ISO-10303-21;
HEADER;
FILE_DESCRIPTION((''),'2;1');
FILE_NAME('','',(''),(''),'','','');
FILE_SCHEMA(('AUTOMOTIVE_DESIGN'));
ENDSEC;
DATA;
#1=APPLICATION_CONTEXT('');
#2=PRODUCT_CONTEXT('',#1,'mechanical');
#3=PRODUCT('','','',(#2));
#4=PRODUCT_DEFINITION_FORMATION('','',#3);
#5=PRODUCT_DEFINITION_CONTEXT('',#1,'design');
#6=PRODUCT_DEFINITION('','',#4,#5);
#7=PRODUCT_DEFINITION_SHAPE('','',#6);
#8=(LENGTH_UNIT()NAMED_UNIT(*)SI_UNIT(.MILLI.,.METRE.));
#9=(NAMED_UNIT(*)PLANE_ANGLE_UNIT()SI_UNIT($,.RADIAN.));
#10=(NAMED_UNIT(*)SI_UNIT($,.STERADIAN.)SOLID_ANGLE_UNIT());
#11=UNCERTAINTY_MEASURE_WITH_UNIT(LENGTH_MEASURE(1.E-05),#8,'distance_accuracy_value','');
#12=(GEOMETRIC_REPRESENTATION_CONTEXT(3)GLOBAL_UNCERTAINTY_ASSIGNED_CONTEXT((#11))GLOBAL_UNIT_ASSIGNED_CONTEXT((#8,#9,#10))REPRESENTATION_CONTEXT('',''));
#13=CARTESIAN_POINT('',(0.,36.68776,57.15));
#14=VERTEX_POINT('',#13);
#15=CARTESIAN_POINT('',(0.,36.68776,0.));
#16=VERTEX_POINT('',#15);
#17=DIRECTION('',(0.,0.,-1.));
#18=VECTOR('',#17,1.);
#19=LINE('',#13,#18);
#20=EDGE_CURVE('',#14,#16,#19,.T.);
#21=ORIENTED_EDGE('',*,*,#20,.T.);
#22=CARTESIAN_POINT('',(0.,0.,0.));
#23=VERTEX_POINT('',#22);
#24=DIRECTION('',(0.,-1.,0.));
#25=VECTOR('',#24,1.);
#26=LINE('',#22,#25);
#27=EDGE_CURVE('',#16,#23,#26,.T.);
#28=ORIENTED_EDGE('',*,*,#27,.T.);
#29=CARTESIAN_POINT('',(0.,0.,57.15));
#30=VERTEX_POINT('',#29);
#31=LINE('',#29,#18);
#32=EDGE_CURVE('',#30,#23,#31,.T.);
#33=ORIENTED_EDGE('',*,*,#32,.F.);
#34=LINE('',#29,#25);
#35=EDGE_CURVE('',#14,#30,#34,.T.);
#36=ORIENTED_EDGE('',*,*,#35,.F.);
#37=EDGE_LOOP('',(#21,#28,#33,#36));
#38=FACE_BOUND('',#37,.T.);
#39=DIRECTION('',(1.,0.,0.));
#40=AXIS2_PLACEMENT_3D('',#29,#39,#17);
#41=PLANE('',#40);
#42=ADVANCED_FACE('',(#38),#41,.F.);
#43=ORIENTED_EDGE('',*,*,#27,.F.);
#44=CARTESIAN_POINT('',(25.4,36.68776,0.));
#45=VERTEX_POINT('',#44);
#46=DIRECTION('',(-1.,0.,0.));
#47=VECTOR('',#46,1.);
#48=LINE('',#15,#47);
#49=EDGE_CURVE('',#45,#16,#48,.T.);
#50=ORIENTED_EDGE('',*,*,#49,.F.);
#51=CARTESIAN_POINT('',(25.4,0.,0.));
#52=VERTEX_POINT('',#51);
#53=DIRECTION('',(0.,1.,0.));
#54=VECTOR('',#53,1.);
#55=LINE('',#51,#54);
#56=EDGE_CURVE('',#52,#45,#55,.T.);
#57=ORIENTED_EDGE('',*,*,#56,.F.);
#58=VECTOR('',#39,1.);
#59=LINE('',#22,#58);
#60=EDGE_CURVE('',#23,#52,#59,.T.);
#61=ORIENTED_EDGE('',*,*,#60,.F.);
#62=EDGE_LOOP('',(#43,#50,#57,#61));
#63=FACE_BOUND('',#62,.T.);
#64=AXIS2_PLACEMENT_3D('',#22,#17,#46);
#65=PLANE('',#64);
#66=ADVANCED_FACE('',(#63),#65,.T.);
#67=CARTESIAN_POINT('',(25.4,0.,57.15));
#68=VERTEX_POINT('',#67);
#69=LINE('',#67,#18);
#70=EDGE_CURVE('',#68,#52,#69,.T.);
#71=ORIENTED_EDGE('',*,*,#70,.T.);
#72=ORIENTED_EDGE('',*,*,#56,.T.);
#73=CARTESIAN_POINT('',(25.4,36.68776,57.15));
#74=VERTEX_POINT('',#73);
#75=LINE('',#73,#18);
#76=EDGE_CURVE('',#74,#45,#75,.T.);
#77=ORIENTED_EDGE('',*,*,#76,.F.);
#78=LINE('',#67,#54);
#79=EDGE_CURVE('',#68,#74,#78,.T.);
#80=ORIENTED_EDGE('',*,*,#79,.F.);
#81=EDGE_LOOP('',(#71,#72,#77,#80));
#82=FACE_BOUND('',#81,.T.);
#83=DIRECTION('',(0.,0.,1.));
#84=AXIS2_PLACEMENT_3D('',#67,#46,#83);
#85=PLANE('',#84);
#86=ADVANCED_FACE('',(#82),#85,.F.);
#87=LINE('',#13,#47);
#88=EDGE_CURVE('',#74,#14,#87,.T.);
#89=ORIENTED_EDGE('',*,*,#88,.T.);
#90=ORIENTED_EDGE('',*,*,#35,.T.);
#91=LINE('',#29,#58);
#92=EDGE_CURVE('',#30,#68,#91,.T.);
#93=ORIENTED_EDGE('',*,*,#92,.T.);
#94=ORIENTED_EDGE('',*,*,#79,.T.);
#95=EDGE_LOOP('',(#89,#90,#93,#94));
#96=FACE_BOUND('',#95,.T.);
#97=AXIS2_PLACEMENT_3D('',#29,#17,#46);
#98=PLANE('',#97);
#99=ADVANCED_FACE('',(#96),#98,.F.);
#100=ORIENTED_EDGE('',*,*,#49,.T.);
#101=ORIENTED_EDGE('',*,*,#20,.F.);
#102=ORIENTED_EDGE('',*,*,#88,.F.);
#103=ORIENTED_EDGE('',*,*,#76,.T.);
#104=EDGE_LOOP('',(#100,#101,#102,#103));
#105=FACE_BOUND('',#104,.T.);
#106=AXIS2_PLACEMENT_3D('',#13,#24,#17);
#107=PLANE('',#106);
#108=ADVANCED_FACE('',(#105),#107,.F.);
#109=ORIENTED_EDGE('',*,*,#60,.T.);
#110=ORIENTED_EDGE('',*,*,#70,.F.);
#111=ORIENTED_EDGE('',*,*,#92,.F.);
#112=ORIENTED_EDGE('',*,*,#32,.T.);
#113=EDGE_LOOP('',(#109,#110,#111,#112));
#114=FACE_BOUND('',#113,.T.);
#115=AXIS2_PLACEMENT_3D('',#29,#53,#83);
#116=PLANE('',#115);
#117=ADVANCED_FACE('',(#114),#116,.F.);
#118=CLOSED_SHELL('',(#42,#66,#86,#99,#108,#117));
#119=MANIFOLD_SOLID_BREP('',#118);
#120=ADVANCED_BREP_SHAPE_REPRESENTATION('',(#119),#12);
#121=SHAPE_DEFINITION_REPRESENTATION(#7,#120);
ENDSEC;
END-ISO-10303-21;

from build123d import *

# Parameters (mm, degrees)
SKETCH1_W           = 25.4
SKETCH1_H           = 36.68776
BOSS_EXTRUDE1_DEPTH = 57.15


with BuildPart() as part:
    # Sketch1 → Boss-Extrude1 (new body)
    with BuildSketch(Plane.XY):
        with Locations((12.7, 18.34388)):
            Rectangle(SKETCH1_W, SKETCH1_H)
    extrude(amount=BOSS_EXTRUDE1_DEPTH)


solid = part.part
